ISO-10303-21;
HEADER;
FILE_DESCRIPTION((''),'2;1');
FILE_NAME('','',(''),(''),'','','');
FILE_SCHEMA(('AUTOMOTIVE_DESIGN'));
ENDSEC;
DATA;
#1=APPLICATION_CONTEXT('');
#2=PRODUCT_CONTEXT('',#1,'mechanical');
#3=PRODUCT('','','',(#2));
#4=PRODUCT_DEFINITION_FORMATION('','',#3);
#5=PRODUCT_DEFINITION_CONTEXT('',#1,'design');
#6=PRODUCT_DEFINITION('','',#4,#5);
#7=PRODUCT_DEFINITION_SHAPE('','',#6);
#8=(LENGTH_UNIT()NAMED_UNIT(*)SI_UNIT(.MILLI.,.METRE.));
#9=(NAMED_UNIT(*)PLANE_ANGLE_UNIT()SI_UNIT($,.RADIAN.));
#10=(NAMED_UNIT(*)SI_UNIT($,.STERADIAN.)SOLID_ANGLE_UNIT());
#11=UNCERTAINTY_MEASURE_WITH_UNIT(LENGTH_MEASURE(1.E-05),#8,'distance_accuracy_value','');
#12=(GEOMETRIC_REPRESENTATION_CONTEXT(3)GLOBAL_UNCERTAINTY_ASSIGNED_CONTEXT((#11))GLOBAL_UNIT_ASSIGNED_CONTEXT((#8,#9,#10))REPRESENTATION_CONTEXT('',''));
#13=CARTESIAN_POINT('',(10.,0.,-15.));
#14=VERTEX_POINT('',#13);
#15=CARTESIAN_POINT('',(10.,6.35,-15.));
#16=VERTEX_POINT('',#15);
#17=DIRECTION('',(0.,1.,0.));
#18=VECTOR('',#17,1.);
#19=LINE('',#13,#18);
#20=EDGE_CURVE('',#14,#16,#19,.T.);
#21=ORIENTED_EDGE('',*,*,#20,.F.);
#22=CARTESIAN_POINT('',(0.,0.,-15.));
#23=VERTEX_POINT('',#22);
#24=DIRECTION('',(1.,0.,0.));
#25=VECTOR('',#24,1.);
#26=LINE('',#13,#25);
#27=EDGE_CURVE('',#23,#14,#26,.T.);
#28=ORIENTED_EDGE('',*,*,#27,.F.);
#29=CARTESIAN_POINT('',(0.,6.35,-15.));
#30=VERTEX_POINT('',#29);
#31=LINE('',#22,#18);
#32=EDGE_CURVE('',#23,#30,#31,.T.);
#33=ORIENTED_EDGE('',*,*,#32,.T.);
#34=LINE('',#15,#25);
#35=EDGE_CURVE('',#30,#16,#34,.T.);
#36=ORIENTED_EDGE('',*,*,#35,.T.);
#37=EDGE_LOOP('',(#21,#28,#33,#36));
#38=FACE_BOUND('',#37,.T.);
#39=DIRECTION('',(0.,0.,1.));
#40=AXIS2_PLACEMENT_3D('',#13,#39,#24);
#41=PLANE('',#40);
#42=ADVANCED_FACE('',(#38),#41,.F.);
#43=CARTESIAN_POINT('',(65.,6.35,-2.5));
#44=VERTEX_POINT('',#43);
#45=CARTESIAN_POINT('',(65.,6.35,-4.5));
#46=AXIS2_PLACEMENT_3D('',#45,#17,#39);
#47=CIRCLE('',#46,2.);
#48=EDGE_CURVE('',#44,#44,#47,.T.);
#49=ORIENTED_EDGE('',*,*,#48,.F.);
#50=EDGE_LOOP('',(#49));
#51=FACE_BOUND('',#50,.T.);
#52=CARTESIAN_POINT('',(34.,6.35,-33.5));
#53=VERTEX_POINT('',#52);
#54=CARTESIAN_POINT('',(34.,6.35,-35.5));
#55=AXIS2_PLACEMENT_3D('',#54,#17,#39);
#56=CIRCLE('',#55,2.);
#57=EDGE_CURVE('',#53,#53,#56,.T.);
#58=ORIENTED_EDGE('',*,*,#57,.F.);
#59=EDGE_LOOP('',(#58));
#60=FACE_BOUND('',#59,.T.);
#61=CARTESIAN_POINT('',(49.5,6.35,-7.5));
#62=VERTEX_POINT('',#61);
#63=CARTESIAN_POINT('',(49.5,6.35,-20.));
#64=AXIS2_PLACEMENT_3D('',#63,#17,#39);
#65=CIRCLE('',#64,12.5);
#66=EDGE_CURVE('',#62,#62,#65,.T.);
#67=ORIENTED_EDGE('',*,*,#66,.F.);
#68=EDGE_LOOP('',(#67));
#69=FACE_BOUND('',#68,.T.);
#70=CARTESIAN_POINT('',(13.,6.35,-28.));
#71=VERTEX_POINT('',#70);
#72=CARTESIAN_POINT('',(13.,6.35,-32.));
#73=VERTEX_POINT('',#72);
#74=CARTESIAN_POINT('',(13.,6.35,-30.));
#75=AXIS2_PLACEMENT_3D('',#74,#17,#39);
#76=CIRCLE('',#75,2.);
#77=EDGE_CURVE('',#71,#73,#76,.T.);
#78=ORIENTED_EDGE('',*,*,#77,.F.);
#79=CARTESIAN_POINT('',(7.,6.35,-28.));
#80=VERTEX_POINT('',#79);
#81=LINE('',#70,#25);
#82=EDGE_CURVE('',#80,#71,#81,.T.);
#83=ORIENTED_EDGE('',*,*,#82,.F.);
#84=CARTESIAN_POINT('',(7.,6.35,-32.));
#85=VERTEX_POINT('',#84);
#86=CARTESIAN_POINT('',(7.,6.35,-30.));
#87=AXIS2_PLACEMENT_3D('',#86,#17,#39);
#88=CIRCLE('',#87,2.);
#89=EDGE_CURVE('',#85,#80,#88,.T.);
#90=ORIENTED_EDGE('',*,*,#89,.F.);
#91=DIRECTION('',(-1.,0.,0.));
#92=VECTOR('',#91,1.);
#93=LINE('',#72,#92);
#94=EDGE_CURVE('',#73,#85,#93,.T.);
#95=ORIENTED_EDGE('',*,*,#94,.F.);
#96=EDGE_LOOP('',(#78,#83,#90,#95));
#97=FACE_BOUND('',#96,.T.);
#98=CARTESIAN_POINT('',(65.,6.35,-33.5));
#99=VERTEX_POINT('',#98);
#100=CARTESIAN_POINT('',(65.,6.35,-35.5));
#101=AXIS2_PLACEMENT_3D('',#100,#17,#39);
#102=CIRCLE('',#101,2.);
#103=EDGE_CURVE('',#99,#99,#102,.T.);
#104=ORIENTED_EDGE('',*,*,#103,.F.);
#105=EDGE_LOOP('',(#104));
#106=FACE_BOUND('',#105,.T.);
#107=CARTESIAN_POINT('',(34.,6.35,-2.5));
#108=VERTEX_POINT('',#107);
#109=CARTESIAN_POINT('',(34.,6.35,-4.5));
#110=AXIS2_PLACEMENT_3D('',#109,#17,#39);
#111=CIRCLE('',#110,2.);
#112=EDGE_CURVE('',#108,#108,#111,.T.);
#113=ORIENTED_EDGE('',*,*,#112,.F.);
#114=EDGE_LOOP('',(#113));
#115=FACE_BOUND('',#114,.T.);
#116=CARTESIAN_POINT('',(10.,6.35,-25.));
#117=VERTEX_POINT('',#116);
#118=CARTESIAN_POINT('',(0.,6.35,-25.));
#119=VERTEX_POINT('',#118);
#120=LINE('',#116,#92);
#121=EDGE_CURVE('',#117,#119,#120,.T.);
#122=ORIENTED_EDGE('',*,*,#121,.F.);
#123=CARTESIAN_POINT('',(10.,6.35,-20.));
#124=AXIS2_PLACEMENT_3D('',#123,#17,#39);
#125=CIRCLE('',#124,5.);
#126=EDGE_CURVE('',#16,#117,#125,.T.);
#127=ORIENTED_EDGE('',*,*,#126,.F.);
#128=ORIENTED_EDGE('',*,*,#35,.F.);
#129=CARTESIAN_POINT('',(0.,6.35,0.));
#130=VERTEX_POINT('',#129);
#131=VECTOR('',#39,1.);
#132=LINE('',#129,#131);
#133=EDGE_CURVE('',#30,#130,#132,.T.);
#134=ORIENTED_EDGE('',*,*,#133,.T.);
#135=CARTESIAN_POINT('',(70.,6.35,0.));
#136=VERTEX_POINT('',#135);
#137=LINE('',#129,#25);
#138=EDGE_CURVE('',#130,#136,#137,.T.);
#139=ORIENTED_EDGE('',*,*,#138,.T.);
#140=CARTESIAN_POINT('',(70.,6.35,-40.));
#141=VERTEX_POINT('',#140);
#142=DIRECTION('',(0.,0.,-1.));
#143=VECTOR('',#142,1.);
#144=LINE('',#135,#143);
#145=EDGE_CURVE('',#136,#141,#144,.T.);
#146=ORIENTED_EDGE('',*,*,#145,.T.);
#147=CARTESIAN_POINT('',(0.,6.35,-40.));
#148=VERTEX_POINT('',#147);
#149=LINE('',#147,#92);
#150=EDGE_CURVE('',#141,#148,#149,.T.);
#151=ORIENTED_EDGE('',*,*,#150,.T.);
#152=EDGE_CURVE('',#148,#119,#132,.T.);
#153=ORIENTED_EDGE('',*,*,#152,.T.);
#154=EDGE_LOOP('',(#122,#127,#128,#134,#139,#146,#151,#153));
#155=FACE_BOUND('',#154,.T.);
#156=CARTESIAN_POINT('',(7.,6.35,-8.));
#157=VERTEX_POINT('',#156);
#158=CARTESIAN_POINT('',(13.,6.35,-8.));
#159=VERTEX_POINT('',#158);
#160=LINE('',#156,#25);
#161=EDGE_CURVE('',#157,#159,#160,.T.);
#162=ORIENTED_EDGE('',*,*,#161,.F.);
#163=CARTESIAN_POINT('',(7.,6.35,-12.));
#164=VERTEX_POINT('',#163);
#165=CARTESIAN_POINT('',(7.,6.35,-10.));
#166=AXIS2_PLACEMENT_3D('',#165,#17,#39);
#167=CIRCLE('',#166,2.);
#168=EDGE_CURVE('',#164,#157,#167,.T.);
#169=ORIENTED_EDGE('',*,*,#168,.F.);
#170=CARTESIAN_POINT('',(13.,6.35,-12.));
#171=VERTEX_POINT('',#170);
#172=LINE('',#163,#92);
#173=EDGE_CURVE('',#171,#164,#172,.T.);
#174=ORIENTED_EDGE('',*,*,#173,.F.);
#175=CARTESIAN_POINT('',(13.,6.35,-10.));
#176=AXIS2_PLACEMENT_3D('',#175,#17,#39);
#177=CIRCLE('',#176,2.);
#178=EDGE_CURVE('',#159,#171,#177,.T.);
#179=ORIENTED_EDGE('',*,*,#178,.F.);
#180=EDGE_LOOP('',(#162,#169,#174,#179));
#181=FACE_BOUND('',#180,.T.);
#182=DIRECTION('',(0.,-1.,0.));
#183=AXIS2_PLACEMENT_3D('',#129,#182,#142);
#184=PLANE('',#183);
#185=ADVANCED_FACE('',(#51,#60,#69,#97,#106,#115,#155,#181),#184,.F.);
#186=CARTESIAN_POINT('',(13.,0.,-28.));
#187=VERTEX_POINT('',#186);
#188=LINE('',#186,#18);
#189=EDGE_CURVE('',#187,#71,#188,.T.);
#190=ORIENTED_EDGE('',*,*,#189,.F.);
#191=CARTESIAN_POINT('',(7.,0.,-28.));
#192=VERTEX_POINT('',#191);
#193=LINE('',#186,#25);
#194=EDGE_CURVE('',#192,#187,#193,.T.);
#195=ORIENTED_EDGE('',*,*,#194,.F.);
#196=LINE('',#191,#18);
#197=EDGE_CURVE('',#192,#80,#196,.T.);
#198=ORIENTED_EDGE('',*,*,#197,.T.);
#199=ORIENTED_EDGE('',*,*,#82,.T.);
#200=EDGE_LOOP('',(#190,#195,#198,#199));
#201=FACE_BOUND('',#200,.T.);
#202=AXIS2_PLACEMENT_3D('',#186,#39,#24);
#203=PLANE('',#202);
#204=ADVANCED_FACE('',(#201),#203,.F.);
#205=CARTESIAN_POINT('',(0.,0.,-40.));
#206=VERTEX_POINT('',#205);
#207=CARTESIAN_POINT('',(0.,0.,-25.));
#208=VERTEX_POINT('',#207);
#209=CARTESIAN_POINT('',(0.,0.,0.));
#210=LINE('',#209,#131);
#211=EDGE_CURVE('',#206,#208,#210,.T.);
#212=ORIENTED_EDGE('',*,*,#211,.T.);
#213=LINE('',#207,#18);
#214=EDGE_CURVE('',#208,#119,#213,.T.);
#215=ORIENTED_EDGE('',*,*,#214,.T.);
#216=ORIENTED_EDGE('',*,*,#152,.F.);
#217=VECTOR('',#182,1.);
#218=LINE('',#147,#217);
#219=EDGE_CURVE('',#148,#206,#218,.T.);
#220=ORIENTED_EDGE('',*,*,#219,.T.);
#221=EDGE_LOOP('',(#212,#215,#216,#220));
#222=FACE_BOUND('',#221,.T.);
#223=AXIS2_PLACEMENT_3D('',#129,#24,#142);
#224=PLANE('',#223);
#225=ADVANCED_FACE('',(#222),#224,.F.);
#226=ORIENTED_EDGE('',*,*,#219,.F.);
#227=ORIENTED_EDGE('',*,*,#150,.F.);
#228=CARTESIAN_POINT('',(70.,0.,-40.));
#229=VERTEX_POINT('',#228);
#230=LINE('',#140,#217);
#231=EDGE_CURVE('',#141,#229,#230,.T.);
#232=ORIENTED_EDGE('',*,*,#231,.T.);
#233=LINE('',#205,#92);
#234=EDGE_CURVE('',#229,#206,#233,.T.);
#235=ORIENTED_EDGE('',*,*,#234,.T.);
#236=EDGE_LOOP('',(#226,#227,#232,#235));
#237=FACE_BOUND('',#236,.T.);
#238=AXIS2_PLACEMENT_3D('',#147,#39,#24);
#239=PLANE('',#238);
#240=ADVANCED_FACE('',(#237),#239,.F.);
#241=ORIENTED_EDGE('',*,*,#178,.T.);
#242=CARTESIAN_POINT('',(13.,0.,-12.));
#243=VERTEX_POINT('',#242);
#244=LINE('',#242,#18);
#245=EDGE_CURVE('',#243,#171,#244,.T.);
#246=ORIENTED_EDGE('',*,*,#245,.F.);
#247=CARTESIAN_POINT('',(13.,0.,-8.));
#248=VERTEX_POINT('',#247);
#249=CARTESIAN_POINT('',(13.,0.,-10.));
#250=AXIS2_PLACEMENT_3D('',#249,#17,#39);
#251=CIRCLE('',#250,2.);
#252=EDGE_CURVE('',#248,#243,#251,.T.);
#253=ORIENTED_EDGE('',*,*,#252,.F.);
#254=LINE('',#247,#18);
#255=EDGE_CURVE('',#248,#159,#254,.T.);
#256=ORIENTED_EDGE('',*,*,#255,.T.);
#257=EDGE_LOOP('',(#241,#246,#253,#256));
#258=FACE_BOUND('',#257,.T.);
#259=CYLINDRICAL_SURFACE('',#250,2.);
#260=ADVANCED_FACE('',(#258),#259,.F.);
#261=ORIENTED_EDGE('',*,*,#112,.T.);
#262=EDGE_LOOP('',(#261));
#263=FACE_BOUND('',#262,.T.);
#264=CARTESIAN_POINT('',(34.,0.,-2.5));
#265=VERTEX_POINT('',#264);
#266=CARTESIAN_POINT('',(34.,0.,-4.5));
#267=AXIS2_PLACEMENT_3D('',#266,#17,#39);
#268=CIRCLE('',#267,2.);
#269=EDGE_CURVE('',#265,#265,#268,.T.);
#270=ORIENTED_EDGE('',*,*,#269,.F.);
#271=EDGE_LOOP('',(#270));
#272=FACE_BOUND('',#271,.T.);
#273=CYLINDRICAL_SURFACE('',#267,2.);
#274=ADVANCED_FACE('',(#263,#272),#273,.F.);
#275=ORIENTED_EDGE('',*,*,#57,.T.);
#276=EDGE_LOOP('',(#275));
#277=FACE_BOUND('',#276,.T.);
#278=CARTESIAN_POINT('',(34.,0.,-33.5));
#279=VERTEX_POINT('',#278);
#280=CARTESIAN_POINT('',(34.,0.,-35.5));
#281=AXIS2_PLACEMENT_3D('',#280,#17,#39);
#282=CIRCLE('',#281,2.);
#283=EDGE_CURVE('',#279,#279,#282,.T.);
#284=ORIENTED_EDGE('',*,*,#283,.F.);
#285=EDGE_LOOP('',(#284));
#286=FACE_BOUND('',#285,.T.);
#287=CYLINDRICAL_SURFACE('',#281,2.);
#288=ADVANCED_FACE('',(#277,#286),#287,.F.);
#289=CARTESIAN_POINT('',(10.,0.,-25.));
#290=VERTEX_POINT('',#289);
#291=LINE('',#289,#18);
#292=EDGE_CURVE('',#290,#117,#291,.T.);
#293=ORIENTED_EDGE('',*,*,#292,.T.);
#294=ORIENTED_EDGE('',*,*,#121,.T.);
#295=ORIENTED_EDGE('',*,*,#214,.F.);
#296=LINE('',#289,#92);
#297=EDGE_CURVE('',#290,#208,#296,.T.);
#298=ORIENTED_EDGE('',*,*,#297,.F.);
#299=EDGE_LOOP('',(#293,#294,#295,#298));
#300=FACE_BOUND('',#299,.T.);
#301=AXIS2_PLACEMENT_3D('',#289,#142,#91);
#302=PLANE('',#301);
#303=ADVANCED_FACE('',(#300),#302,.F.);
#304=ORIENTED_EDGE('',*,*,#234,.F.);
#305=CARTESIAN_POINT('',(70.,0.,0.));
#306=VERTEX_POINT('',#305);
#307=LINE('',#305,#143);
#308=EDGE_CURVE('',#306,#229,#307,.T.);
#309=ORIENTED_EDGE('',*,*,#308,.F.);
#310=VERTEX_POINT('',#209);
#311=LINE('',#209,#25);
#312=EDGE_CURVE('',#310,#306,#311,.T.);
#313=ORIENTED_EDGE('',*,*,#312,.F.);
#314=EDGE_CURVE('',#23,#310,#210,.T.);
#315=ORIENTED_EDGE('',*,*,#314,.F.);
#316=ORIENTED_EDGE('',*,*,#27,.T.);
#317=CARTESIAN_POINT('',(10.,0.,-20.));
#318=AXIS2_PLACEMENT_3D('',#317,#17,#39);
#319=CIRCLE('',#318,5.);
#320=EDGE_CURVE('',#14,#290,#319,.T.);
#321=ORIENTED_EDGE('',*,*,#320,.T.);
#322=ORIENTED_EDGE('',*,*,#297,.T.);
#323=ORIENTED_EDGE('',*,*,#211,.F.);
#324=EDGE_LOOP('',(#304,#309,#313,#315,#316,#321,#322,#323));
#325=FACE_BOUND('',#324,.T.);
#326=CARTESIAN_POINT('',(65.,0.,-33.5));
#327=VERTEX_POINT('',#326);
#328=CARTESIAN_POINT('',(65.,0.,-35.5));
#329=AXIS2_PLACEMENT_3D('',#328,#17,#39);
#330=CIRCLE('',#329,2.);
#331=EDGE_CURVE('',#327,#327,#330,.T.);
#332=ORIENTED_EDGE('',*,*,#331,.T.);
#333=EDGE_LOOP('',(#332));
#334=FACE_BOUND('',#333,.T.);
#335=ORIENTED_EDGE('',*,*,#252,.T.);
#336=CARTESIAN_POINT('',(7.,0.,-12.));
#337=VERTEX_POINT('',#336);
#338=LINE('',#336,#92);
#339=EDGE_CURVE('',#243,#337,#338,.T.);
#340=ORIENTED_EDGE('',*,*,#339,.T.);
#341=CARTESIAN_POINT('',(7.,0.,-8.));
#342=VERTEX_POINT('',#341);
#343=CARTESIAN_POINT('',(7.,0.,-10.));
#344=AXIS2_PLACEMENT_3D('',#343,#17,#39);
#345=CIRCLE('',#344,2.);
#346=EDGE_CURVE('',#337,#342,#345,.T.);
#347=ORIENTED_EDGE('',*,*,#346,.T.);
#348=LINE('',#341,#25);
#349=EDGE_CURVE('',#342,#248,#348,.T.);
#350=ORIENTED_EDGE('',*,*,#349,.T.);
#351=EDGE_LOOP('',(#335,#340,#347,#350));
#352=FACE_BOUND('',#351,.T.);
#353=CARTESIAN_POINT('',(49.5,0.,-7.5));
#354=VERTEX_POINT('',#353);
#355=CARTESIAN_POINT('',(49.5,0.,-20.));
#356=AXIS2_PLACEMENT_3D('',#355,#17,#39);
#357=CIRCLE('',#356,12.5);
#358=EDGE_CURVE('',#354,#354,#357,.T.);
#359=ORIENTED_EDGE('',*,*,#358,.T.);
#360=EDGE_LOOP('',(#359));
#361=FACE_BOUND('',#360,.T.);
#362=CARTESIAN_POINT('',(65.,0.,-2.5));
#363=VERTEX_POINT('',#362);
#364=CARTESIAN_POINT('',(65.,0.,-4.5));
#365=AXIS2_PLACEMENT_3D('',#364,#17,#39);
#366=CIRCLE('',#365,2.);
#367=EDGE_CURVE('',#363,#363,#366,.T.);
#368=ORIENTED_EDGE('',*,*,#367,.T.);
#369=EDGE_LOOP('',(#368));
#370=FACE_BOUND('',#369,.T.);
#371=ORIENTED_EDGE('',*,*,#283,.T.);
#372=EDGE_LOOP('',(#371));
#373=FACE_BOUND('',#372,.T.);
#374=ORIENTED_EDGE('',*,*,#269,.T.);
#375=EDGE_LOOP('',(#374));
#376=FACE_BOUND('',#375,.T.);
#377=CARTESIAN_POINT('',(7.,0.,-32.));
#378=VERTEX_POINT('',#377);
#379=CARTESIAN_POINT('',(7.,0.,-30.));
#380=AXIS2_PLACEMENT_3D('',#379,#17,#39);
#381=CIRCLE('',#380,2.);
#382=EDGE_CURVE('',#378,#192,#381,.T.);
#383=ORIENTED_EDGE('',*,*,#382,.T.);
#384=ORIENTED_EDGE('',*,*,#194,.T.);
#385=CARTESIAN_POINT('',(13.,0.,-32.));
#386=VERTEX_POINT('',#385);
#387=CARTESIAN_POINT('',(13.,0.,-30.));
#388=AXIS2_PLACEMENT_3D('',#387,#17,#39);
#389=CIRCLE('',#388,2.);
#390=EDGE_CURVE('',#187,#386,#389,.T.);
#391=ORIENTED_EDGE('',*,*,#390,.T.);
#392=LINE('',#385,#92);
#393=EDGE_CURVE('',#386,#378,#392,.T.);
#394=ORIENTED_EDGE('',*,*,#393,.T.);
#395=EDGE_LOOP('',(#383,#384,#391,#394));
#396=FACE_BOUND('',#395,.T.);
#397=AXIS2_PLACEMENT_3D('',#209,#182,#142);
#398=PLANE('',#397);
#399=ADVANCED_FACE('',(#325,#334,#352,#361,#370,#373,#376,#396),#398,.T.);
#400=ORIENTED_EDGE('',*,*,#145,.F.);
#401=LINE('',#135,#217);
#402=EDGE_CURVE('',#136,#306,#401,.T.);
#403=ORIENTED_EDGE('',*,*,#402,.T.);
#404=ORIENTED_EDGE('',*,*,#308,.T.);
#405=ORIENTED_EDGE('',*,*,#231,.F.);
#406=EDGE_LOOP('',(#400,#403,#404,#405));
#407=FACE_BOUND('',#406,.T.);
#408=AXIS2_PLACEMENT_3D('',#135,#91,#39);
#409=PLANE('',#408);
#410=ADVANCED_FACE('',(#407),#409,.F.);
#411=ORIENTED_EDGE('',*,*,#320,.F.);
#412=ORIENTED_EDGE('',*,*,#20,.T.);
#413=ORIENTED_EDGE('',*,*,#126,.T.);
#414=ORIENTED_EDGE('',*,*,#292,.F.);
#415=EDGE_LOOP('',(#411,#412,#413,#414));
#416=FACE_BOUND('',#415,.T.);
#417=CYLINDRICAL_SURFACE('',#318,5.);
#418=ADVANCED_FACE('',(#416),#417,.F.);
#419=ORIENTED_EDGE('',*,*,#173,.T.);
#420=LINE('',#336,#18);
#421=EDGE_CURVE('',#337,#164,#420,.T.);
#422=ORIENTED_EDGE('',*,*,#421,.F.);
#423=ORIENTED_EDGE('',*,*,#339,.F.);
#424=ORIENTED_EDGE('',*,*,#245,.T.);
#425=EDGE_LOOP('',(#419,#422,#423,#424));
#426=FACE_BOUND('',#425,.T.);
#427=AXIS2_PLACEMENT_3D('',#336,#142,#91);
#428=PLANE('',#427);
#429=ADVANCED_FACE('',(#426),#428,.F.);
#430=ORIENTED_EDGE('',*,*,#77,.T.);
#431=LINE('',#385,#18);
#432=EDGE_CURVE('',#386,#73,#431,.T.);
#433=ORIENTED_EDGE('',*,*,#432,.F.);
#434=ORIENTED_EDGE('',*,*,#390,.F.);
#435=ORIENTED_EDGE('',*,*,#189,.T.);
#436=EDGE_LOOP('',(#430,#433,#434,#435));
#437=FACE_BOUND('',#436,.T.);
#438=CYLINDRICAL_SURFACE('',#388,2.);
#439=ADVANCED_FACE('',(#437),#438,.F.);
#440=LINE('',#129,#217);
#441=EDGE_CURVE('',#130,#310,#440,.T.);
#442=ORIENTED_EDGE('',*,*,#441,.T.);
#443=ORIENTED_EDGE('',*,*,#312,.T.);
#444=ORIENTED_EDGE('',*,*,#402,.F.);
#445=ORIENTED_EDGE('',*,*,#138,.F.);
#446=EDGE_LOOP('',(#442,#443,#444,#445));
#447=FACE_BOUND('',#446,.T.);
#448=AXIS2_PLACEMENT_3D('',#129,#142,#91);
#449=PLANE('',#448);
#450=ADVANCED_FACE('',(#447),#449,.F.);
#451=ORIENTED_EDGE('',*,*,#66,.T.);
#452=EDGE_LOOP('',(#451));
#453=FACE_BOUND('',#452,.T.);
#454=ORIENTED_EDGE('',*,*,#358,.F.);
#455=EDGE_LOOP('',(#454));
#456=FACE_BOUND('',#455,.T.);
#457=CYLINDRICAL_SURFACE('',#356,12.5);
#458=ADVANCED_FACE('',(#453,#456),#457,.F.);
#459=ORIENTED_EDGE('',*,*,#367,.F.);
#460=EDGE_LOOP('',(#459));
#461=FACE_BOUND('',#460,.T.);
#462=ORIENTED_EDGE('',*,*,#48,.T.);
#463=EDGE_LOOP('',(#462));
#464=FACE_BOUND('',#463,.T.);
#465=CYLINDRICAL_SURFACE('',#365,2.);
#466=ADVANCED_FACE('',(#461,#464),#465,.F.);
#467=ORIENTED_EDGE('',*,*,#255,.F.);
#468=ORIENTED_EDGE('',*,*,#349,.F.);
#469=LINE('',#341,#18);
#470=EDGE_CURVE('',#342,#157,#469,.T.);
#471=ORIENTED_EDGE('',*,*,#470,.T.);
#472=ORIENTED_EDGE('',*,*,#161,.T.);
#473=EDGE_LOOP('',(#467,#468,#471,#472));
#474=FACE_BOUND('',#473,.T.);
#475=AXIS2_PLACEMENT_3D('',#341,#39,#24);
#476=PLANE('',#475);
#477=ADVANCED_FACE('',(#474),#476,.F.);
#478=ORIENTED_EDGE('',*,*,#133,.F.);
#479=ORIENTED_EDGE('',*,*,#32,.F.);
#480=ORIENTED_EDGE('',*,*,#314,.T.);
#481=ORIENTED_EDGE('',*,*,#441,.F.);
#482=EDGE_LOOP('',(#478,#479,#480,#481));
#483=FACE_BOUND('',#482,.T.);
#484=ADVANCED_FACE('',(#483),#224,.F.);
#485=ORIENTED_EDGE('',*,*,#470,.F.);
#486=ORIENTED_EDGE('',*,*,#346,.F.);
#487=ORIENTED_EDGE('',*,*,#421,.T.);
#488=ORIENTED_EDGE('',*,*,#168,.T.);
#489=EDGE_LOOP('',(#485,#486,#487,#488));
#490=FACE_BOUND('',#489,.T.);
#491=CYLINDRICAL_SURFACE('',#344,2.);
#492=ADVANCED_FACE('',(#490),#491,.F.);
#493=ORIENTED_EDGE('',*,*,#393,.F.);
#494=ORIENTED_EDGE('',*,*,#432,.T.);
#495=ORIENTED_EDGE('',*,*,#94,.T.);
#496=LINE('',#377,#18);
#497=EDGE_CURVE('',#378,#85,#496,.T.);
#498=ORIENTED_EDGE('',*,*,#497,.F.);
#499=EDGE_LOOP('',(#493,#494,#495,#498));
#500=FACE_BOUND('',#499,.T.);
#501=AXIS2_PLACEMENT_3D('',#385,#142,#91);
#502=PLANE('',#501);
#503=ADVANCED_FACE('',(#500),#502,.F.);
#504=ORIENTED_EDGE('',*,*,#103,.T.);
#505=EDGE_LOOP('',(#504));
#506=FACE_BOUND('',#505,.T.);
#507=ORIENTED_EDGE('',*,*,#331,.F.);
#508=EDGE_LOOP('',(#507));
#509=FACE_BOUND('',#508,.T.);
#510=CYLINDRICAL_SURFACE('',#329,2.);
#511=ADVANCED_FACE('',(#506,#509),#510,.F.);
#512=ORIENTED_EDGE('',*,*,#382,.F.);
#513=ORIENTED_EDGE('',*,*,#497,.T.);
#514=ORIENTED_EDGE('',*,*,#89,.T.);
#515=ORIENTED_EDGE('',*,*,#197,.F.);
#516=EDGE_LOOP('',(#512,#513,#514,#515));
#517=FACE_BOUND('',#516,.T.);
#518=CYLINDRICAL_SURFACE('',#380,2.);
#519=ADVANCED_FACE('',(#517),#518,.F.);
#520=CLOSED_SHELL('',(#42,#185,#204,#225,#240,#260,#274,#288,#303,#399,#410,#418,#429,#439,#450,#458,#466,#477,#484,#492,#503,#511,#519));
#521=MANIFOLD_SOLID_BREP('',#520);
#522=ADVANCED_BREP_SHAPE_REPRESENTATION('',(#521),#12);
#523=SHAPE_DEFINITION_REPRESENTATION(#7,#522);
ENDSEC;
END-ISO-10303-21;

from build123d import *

# Parameters (mm, degrees)
SKETCH1_W           = 70
SKETCH1_H           = 40
BOSS_EXTRUDE1_DEPTH = 6.35
SKETCH2_R           = 12.5
SKETCH2_R_2         = 2
CUT_EXTRUDE1_DEPTH  = 81.872260386


with BuildPart() as part:
    # Sketch1 → Boss-Extrude1 (new body)
    with BuildSketch(Plane(origin=(0, 0, 0), x_dir=(1, 0, 0), z_dir=(0, 1, 0))):
        with Locations((35, 20)):
            Rectangle(SKETCH1_W, SKETCH1_H)
    extrude(amount=BOSS_EXTRUDE1_DEPTH)

    # Sketch2 → Cut-Extrude1 (cut, through all)
    with BuildSketch(Plane(origin=(0, 6.35, 0), x_dir=(1, 0, 0), z_dir=(0, 1, 0))):
        with Locations(Location((49.5, 20, 0), (0, 0, 270))):
            Circle(SKETCH2_R)
        with Locations(Location((34, 35.5, 0), (0, 0, 270))):
            Circle(SKETCH2_R_2)
        with Locations(Location((65, 35.5, 0), (0, 0, 270))):
            Circle(SKETCH2_R_2)
        with Locations(Location((65, 4.5, 0), (0, 0, 270))):
            Circle(SKETCH2_R_2)
        with Locations(Location((34, 4.5, 0), (0, 0, 270))):
            Circle(SKETCH2_R_2)
        with BuildLine():
            Line((10, 25), (0, 25))
            Line((0, 25), (0, 15))
            Line((0, 15), (10, 15))
            ThreePointArc((10, 15), (15, 20), (10, 25))
        make_face()
        with BuildLine():
            Line((13, 28), (7, 28))
            ThreePointArc((7, 28), (5, 30), (7, 32))
            Line((7, 32), (13, 32))
            ThreePointArc((13, 32), (15, 30), (13, 28))
        make_face()
        with BuildLine():
            Line((7, 12), (13, 12))
            ThreePointArc((13, 12), (15, 10), (13, 8))
            Line((13, 8), (7, 8))
            ThreePointArc((7, 8), (5, 10), (7, 12))
        make_face()
    extrude(amount=-CUT_EXTRUDE1_DEPTH, mode=Mode.SUBTRACT)


solid = part.part
